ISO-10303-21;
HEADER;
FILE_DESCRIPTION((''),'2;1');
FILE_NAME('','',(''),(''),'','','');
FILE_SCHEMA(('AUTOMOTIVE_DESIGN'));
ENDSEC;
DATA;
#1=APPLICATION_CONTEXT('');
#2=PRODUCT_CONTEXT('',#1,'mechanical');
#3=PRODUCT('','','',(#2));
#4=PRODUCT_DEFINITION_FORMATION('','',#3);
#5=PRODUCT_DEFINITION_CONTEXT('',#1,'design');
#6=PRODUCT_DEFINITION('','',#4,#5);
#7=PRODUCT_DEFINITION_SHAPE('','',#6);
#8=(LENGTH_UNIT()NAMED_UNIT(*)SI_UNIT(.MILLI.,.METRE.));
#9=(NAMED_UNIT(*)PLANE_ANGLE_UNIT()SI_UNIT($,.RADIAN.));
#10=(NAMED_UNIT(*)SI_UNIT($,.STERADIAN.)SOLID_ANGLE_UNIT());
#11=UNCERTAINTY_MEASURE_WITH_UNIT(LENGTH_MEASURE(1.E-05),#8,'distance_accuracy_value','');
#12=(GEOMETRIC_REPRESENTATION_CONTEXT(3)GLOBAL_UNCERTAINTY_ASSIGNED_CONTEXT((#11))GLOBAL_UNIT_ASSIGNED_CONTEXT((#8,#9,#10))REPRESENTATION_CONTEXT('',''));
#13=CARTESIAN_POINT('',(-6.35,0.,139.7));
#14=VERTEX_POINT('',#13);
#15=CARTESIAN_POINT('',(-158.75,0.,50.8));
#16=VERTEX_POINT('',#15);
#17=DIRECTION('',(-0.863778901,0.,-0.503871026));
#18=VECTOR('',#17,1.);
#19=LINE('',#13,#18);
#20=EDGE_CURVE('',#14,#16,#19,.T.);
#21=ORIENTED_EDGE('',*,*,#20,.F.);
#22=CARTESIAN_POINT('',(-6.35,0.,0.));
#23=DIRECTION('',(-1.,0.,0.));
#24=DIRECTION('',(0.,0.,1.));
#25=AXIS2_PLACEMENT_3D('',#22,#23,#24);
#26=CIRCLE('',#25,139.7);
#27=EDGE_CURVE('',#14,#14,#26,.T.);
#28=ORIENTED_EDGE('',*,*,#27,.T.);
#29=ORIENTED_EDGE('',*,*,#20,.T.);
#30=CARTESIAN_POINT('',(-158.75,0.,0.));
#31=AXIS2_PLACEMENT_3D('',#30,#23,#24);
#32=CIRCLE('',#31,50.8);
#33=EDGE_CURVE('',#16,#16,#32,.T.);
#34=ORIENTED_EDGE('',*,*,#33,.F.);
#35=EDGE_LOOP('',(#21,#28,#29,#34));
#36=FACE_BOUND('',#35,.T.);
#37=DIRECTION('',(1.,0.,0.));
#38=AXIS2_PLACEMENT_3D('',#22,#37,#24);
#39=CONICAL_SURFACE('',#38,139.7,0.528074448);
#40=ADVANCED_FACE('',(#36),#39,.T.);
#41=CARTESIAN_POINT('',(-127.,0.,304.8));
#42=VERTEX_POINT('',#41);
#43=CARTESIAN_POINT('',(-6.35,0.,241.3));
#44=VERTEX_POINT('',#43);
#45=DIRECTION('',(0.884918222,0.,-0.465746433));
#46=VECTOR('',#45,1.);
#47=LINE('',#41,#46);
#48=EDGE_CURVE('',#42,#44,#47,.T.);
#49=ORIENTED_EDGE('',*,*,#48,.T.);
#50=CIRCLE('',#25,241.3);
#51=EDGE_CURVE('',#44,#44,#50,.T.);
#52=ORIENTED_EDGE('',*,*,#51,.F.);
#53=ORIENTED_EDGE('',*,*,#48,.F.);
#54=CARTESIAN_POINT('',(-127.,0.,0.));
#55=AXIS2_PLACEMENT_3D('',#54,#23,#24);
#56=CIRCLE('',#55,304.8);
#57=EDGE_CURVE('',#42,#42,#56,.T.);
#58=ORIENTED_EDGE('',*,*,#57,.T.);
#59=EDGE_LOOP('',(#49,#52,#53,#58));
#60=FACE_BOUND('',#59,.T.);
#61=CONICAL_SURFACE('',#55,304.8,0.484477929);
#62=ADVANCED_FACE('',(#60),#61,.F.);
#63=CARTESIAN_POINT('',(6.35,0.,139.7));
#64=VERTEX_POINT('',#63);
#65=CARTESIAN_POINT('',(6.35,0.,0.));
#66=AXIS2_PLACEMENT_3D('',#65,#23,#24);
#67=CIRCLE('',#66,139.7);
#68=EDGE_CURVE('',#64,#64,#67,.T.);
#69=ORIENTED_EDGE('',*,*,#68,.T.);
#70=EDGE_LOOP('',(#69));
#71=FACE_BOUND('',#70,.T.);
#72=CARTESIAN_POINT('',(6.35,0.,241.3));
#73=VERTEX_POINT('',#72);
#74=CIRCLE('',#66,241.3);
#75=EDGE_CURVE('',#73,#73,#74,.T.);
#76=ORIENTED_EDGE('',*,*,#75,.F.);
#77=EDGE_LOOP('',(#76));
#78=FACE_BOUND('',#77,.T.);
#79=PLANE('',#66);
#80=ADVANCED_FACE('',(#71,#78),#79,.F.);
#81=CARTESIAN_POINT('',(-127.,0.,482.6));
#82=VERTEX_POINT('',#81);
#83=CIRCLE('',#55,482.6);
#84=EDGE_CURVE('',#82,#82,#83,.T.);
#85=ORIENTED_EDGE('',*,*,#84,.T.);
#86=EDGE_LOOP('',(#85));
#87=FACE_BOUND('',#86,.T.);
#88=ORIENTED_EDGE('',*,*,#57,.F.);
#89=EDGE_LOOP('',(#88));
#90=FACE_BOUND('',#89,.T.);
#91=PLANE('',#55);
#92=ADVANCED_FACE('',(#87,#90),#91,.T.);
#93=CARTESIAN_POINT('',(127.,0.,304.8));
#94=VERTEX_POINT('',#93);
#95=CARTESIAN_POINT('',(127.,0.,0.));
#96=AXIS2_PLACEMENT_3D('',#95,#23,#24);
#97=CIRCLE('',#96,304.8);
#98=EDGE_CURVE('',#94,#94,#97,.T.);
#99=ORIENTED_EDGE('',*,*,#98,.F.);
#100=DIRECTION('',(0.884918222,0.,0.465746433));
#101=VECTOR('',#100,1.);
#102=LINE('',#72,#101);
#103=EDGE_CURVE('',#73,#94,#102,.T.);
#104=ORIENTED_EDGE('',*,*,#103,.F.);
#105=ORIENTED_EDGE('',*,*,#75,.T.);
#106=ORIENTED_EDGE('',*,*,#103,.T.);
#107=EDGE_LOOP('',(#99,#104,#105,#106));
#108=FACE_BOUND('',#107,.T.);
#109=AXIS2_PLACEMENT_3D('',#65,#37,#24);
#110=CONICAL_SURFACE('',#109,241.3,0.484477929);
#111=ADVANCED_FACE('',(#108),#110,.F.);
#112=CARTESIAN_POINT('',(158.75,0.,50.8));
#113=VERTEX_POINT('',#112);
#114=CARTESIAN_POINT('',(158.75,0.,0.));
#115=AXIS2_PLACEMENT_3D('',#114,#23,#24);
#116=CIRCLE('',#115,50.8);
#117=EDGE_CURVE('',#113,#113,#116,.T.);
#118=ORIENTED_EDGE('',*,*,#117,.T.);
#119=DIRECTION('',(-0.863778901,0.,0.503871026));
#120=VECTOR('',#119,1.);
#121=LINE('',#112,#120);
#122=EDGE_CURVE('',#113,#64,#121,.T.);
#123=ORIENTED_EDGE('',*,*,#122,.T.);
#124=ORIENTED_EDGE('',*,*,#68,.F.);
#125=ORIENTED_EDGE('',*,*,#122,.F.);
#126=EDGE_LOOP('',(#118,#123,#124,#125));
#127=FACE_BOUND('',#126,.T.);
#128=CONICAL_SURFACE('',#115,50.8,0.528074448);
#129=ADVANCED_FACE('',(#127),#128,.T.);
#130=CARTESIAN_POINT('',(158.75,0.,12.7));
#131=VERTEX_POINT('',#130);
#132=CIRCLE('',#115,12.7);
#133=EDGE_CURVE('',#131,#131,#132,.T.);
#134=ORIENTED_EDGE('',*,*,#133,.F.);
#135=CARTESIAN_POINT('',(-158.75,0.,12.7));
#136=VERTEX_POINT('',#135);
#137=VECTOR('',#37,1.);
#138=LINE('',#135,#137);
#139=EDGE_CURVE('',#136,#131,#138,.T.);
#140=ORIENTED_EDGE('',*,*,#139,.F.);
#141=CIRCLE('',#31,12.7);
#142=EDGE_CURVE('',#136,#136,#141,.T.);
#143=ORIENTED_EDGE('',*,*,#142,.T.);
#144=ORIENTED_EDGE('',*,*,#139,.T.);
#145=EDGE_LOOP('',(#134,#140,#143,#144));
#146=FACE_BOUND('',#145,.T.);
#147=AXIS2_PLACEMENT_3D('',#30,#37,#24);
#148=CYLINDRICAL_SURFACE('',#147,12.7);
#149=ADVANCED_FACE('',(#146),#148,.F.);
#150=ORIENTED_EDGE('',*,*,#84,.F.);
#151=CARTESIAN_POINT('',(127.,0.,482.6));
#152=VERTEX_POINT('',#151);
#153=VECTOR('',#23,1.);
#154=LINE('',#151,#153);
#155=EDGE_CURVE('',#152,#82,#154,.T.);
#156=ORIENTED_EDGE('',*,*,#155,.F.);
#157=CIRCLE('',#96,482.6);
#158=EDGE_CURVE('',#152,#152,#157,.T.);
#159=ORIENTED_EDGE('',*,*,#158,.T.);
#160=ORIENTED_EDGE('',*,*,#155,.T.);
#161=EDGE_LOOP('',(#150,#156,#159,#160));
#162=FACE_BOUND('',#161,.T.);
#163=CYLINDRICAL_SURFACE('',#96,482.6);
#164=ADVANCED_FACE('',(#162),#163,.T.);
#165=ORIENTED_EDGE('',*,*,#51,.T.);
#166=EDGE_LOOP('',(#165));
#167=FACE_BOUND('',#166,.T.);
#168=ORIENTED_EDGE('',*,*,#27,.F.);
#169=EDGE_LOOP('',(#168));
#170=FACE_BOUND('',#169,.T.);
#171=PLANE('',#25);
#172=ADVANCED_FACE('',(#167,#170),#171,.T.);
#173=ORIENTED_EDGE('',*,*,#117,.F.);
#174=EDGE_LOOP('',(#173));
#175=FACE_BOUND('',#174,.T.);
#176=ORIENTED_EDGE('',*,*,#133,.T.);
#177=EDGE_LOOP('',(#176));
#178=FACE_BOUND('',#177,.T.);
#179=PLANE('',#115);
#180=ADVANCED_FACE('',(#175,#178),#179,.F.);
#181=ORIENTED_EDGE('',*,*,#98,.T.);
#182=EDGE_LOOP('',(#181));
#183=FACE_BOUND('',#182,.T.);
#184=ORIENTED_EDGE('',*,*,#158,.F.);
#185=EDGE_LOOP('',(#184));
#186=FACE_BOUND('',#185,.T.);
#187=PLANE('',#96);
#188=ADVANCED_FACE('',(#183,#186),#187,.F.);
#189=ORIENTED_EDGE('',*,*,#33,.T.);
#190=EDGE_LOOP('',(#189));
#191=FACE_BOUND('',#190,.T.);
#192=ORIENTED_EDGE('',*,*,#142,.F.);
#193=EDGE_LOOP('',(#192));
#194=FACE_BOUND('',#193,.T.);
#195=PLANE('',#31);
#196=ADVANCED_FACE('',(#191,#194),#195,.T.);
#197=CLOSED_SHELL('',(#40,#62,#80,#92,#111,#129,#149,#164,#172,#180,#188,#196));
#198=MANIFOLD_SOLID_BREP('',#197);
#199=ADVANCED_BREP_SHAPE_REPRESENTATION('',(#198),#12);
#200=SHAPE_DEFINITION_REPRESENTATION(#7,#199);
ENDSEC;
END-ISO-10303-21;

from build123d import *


with BuildPart() as f1:
    # F0 (on Front) → F1 (revolve)
    with BuildSketch(Plane.XZ):
        Polygon((0, 482.6), (0, 12.7), (158.75, 12.7), (158.75, 50.8), (6.35, 139.7), (6.35, 241.3), (127, 304.8), (127, 482.6), align=None)
        Polygon((-158.75, 12.7), (0, 12.7), (0, 482.6), (-127, 482.6), (-127, 304.8), (-6.35, 241.3), (-6.35, 139.7), (-158.75, 50.8), align=None)
    revolve(axis=Axis((-79.375, 0, 0), (-1, 0, 0)))


solid = f1.part
